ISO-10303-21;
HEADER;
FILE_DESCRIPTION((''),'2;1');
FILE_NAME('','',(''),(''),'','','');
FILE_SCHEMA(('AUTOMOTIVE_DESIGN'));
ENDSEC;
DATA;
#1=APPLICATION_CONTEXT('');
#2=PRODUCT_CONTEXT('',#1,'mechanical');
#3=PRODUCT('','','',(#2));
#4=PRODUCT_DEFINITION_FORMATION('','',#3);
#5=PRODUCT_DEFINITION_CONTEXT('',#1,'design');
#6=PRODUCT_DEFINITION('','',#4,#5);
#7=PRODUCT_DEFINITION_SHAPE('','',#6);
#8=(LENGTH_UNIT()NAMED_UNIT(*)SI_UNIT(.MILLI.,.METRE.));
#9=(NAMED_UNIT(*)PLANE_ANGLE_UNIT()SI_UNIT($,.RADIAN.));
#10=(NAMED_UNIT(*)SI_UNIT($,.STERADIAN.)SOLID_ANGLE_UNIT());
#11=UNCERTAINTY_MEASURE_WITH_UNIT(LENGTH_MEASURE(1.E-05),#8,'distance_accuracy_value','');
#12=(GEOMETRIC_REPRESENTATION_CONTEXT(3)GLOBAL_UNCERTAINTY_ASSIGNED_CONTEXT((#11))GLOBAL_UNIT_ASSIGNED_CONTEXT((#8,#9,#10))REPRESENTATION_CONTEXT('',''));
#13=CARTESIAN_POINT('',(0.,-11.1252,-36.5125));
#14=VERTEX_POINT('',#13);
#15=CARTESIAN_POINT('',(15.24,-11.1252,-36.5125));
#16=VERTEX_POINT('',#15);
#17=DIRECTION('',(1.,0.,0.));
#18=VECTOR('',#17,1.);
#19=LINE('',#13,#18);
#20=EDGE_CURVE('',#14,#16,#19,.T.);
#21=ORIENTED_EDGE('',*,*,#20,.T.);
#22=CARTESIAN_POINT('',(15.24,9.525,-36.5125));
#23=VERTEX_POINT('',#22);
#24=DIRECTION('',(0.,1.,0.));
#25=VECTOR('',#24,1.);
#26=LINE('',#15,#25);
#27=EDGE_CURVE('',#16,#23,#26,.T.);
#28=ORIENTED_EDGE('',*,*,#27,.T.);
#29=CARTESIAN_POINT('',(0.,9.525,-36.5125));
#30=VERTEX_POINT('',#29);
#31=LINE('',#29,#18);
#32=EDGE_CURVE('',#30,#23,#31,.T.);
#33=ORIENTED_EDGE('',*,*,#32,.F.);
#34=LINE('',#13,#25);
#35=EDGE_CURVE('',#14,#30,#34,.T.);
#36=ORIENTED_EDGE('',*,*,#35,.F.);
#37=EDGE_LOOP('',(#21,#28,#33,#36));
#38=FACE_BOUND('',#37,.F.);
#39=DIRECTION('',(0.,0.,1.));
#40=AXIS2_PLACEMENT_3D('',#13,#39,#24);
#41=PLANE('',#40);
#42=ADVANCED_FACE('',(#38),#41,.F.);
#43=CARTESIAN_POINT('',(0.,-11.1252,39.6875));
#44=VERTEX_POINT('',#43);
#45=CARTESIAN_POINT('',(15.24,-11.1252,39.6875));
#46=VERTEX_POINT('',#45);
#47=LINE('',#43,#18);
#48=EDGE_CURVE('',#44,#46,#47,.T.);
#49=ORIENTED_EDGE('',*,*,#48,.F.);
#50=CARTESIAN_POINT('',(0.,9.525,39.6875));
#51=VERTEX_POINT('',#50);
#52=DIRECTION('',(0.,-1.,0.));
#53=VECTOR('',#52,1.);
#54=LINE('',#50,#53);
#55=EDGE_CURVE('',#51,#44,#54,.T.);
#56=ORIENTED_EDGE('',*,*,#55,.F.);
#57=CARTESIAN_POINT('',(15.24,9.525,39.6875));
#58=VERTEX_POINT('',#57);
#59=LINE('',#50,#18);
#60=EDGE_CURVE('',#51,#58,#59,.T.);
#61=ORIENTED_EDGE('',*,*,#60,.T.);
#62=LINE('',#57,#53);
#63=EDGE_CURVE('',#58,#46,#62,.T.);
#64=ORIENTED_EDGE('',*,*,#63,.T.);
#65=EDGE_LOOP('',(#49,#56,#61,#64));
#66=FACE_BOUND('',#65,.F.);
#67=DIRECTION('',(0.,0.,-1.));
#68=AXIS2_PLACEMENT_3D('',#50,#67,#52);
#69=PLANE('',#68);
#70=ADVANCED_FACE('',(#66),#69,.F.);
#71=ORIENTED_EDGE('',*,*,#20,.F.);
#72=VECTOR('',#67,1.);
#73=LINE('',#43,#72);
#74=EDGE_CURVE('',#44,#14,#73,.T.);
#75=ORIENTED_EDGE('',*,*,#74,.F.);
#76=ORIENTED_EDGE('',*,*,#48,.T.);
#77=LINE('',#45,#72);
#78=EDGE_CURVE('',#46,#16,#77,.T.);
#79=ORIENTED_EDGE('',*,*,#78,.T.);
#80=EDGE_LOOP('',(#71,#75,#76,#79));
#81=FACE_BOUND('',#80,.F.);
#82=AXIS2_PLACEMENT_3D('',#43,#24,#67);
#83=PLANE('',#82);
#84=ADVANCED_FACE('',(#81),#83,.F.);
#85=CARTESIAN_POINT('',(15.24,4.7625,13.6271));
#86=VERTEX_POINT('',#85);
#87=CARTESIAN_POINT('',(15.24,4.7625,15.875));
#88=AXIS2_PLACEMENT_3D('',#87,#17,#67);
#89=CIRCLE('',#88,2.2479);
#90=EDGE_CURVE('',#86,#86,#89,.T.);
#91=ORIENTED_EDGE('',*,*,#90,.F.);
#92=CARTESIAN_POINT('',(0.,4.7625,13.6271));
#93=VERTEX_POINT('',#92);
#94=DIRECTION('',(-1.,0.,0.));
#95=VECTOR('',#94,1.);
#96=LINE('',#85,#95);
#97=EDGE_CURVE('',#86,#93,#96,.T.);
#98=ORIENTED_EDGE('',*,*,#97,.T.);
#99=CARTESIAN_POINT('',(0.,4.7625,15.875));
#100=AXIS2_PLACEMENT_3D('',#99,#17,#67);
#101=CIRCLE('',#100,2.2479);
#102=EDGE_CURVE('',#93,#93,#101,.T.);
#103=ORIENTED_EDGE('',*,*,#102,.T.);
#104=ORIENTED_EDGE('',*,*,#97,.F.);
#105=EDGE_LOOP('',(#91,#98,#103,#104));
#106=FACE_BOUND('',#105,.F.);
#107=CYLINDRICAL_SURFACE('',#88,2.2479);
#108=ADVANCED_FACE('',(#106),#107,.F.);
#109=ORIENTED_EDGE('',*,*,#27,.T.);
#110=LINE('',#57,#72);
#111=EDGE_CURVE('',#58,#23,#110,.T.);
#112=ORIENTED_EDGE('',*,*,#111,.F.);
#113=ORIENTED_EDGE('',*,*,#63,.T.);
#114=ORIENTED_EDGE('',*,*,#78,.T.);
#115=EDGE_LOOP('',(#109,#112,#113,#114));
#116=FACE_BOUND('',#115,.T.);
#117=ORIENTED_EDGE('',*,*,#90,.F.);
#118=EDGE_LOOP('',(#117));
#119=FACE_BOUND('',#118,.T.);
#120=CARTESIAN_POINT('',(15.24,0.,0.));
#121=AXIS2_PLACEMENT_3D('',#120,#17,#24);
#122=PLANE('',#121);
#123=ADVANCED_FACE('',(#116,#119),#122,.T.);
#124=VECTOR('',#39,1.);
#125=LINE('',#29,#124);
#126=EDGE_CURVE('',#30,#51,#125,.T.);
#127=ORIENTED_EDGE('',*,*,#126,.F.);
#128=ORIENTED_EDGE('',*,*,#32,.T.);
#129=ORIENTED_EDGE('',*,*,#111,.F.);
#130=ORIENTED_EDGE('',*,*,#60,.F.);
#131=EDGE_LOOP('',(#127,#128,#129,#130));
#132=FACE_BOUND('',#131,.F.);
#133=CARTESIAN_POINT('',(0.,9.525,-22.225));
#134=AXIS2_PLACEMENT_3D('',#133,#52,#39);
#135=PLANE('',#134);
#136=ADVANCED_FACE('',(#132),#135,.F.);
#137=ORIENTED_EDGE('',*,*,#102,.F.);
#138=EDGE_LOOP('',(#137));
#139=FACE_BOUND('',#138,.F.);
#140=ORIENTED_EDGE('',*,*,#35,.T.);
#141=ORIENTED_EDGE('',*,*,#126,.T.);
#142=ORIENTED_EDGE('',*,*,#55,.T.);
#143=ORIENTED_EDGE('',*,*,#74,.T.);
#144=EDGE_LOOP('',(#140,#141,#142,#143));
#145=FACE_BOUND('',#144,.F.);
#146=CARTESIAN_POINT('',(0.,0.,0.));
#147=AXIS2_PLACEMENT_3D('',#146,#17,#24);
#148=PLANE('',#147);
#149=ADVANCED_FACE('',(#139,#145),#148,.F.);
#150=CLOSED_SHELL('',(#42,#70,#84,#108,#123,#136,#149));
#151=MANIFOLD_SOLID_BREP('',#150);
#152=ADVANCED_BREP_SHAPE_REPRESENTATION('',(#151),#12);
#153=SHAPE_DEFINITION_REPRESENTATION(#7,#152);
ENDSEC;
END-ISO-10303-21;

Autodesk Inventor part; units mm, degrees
ref_plane "YZ Plane" through (0, 0, 0) normal (1, 0, 0) x (0, 1, 0)
ref_plane "XZ Plane" through (0, 0, 0) normal (0, 1, 0) x (-1, 0, 0)
ref_plane "XY Plane" through (0, 0, 0) normal (0, 0, 1) x (1, 0, 0)
sketch "Sketch1" plane through (0, 0, 0) normal (1, 0, 0) x (0, 1, 0)
  point P0 (0, 0)
sketch "Sketch2" plane through (0, 0, 0) normal (1, 0, 0) x (0, 1, 0)
  line L0 (9.525, 39.6875) -> (-11.1252, 39.6875)
  line L1 (-11.1252, 39.6875) -> (-11.1252, -36.5125)
  line L2 (-11.1252, -36.5125) -> (9.525, -36.5125)
  line L3 (9.525, -36.5125) -> (9.525, 39.6875)
  line L4 (9.525, -22.225) -> (9.525, -36.5125)
  point P0 (0, 0)
  dimension "d0" = 20.6502
  dimension "d1" = 76.2
extrude "Extrusion1" add sketch "Sketch2" along normal blind 15.24
sketch "Sketch3" plane through (15.24, 0, 0) normal (1, 0, 0) x (0, 0, -1)
  circle A0 centre (-15.875, 4.7625) radius 2.2479
  point P0 (0, 0)
  dimension "d4" = 4.4958
extrude "Extrusion2" cut sketch "Sketch3" along normal mid plane 50.8
properties part number "SLIDERCRANK-BASE CUBOID"
